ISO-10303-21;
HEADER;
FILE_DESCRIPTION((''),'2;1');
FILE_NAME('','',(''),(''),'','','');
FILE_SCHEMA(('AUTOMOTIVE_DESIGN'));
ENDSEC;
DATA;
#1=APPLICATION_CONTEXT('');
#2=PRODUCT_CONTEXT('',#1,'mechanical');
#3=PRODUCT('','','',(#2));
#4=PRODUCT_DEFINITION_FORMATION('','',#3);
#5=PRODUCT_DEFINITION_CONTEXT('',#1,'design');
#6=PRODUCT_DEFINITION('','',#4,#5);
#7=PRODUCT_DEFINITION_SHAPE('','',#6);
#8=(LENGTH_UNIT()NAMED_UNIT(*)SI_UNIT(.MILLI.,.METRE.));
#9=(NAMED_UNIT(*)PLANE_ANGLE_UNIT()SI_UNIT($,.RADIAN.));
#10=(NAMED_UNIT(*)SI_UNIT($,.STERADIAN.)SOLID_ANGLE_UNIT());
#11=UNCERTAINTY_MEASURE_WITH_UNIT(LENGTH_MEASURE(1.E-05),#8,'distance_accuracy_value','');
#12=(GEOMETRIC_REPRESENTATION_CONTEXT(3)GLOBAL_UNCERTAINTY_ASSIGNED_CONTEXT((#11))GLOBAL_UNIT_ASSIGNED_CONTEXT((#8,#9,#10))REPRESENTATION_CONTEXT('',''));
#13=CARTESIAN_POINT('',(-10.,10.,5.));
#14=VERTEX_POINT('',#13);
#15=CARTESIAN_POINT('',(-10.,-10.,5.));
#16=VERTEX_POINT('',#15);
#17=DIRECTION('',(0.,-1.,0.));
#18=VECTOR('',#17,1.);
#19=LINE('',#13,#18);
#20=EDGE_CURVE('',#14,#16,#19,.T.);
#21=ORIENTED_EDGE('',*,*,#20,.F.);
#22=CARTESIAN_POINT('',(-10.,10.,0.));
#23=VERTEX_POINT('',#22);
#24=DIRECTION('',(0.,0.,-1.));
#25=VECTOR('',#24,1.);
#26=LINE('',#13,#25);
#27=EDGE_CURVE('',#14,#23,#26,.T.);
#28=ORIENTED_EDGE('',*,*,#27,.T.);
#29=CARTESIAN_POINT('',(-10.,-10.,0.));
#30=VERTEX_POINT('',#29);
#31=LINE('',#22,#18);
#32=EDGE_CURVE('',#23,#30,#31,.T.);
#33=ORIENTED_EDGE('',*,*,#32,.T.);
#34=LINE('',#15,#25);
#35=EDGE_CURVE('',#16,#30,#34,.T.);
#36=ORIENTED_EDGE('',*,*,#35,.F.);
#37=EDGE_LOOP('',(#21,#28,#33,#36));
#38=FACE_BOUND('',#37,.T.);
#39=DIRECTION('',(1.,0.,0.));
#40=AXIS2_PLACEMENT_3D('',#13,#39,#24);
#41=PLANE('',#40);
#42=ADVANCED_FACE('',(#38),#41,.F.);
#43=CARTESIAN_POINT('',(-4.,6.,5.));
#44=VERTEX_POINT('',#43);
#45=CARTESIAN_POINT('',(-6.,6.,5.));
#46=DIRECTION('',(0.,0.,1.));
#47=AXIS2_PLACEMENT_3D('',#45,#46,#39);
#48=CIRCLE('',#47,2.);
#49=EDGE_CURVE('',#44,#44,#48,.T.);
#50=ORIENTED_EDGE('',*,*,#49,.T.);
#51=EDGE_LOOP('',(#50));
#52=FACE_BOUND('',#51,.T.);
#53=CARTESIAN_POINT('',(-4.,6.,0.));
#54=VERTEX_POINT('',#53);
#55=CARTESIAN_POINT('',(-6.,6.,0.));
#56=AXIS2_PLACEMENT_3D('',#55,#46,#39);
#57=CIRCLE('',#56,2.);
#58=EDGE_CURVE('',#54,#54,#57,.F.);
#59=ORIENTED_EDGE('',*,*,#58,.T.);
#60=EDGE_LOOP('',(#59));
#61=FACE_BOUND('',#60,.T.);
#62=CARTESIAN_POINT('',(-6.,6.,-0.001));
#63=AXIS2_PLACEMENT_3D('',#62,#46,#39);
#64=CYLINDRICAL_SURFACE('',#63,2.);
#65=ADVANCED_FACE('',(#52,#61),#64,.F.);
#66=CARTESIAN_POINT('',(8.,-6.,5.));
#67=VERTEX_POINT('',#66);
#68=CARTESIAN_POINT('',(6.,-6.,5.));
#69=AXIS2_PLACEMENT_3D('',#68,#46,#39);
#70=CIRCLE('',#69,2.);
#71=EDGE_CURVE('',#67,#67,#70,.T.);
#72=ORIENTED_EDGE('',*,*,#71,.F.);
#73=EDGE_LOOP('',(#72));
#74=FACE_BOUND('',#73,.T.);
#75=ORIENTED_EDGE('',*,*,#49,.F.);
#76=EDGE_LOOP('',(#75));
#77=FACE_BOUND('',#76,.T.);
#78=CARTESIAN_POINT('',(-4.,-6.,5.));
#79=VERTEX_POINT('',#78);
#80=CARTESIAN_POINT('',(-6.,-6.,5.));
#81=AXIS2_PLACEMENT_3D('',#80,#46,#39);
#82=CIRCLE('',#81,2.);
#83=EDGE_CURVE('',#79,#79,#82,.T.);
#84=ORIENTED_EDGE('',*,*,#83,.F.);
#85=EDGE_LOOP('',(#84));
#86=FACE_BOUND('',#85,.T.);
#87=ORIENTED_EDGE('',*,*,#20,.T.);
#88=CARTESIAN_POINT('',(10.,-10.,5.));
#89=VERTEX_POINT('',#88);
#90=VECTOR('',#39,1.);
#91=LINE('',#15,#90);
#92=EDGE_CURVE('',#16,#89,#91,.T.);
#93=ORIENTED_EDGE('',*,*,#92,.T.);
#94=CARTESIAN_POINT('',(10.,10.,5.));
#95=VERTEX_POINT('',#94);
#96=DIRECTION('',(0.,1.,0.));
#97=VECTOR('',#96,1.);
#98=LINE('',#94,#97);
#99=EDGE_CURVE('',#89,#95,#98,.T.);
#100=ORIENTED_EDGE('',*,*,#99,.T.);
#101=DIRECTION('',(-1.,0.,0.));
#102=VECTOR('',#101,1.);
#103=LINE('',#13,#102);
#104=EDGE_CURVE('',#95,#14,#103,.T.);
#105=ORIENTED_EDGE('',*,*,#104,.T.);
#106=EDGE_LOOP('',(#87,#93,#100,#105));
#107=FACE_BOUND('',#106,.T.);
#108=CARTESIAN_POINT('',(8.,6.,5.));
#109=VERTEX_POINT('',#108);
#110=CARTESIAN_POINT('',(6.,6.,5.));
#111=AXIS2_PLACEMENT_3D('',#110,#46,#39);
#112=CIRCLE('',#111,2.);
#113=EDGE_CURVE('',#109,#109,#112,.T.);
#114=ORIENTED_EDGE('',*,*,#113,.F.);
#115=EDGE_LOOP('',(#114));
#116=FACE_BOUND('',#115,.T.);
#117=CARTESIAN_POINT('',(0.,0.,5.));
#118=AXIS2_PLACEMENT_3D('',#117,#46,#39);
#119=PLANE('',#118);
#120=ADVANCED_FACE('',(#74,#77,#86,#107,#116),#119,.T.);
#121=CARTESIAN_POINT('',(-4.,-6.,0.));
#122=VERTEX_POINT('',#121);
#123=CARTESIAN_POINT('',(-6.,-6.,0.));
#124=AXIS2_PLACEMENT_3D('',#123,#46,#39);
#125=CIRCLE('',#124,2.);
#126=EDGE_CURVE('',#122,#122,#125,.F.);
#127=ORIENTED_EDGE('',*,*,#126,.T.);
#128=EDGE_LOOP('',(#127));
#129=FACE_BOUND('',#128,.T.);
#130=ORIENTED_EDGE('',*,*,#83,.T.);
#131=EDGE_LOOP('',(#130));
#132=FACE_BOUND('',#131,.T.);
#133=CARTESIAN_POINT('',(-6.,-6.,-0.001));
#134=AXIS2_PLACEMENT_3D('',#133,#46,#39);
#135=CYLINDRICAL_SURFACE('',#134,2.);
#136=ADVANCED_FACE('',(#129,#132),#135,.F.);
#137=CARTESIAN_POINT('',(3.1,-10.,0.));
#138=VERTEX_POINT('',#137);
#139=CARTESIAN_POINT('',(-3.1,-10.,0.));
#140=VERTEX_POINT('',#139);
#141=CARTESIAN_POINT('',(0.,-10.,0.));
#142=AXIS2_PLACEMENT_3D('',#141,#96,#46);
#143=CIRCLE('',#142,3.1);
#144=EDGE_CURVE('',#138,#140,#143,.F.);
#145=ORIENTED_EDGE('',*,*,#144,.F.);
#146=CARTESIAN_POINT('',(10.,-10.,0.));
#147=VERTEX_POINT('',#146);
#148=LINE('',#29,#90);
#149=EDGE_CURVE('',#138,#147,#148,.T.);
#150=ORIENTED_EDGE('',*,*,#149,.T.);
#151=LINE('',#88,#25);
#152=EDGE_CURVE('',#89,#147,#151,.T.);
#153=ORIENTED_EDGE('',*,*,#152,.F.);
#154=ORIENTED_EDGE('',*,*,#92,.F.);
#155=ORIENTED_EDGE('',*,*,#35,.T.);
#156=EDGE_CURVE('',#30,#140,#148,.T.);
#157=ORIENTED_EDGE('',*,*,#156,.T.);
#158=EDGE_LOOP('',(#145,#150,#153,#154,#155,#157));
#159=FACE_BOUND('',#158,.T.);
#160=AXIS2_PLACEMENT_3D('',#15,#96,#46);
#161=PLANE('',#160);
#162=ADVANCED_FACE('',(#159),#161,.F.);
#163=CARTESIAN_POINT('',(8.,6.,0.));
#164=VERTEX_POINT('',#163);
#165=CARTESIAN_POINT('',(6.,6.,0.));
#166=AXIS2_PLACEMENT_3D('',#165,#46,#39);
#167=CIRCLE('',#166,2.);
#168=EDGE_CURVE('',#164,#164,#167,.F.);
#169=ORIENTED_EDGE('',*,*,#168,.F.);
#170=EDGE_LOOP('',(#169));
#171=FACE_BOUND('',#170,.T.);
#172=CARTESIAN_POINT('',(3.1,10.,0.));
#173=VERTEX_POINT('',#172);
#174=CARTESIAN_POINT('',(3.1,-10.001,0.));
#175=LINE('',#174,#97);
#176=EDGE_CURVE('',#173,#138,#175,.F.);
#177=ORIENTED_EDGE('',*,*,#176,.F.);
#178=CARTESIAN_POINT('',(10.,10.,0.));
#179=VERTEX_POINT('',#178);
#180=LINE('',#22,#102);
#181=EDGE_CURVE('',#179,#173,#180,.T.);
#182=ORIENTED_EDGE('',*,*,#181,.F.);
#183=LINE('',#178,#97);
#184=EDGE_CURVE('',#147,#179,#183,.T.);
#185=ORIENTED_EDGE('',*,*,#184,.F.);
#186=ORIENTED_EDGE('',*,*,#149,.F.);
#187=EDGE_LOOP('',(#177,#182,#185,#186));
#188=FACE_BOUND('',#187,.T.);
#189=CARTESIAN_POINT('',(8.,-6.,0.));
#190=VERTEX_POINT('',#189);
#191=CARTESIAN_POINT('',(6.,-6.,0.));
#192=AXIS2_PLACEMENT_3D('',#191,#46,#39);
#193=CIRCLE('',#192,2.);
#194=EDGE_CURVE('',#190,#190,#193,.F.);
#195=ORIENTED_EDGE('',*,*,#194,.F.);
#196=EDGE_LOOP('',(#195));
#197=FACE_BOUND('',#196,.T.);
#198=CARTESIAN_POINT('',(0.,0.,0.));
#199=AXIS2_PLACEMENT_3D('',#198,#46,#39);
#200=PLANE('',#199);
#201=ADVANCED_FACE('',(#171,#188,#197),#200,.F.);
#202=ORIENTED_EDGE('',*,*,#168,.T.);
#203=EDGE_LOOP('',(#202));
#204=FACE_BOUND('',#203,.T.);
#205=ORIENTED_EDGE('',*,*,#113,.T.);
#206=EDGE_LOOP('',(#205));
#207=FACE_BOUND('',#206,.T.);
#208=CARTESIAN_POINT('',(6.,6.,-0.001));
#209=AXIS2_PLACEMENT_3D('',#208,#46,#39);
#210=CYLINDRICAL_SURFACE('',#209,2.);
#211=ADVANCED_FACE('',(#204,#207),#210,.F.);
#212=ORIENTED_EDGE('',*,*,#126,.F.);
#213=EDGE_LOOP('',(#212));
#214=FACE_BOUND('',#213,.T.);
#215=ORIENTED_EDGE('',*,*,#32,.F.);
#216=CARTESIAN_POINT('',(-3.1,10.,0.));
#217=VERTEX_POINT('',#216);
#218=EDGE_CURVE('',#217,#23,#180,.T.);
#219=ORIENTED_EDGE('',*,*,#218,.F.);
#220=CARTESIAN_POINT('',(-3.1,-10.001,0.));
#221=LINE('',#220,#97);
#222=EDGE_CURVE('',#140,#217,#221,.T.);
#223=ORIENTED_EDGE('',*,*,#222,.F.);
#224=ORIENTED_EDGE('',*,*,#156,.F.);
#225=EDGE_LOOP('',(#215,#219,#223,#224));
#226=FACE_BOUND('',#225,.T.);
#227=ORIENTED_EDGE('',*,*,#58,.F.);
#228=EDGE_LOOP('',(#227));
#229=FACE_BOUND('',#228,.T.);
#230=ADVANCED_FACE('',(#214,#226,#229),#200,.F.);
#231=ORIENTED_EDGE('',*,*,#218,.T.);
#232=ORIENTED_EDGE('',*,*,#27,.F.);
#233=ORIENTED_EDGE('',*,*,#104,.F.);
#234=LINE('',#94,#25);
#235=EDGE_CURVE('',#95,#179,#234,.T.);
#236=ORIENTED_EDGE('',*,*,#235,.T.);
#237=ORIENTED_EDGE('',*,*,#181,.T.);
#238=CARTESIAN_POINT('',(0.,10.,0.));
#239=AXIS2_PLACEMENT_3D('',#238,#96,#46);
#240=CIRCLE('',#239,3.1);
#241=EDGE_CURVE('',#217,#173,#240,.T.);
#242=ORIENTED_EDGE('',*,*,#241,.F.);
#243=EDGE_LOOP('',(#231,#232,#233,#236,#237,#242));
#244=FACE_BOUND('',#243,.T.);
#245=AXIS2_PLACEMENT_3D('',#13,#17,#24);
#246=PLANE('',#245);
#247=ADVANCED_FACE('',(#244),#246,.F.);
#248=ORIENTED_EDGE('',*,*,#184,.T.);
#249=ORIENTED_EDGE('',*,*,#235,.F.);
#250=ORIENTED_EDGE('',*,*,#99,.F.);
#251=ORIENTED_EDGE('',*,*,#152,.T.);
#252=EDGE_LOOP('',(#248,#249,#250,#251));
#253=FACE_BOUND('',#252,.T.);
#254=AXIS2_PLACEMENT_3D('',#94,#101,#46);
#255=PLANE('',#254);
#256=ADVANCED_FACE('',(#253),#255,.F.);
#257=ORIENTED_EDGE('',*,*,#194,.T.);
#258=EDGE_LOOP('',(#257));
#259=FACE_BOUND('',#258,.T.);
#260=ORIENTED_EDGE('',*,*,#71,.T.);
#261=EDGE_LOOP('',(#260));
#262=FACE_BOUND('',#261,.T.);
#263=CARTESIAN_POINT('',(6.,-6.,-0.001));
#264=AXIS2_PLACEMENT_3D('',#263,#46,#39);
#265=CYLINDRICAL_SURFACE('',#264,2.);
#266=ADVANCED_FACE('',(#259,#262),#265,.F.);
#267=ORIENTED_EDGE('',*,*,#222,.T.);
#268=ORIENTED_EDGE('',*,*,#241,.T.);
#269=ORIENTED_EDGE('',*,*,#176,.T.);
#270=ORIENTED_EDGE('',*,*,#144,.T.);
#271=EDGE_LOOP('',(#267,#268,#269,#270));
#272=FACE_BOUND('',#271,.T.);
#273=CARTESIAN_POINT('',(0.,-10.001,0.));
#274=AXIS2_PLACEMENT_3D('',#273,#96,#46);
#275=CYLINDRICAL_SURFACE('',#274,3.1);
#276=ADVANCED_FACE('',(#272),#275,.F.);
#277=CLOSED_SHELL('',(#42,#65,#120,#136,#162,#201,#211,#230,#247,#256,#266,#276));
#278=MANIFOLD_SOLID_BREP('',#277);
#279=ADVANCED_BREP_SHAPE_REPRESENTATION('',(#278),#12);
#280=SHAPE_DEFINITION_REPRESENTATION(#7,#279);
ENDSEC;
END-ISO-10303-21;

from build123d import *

# Parameters (mm, degrees)
SKETCH1_W           = 20
SKETCH1_H           = 20
BOSS_EXTRUDE1_DEPTH = 5
CUT_EXTRUDE1_REACH  = 24.913
SKETCH2_R           = 3.1
CUT_EXTRUDE2_REACH  = 17
SKETCH3_R           = 2


with BuildPart() as part:
    # Sketch1 → Boss-Extrude1 (new body)
    with BuildSketch(Plane.XY):
        Rectangle(SKETCH1_W, SKETCH1_H)
    extrude(amount=BOSS_EXTRUDE1_DEPTH)

    # Sketch2 → Cut-Extrude1 (cut, up to next)
    with BuildSketch(Plane(origin=(0, 10, 0), x_dir=(1, 0, 0), z_dir=(0, 1, 0)), mode=Mode.PRIVATE) as cut_extrude1_sk1:
        Circle(SKETCH2_R)
    cut_extrude1_tool1 = extrude(cut_extrude1_sk1.sketch, amount=-CUT_EXTRUDE1_REACH, mode=Mode.PRIVATE) & part.part
    add(cut_extrude1_tool1.solids().sort_by_distance((0, 10, 0))[0], mode=Mode.SUBTRACT)

    # Sketch3 → Cut-Extrude2 (cut, up to next)
    with BuildSketch(Plane.XY.offset(5), mode=Mode.PRIVATE) as cut_extrude2_sk1:
        with Locations((-6, 6)):
            Circle(SKETCH3_R)
    cut_extrude2_tool1 = extrude(cut_extrude2_sk1.sketch, amount=-CUT_EXTRUDE2_REACH, mode=Mode.PRIVATE) & part.part
    # Sketch3 → Cut-Extrude2 (cut, up to next)
    with BuildSketch(Plane.XY.offset(5), mode=Mode.PRIVATE) as cut_extrude2_sk2:
        with Locations((-6, -6)):
            Circle(SKETCH3_R)
    cut_extrude2_tool2 = extrude(cut_extrude2_sk2.sketch, amount=-CUT_EXTRUDE2_REACH, mode=Mode.PRIVATE) & part.part
    # Sketch3 → Cut-Extrude2 (cut, up to next)
    with BuildSketch(Plane.XY.offset(5), mode=Mode.PRIVATE) as cut_extrude2_sk3:
        with Locations((6, -6)):
            Circle(SKETCH3_R)
    cut_extrude2_tool3 = extrude(cut_extrude2_sk3.sketch, amount=-CUT_EXTRUDE2_REACH, mode=Mode.PRIVATE) & part.part
    # Sketch3 → Cut-Extrude2 (cut, up to next)
    with BuildSketch(Plane.XY.offset(5), mode=Mode.PRIVATE) as cut_extrude2_sk4:
        with Locations((6, 6)):
            Circle(SKETCH3_R)
    cut_extrude2_tool4 = extrude(cut_extrude2_sk4.sketch, amount=-CUT_EXTRUDE2_REACH, mode=Mode.PRIVATE) & part.part
    add(cut_extrude2_tool1.solids().sort_by_distance((-6, 6, 5))[0], mode=Mode.SUBTRACT)
    add(cut_extrude2_tool2.solids().sort_by_distance((-6, -6, 5))[0], mode=Mode.SUBTRACT)
    add(cut_extrude2_tool3.solids().sort_by_distance((6, -6, 5))[0], mode=Mode.SUBTRACT)
    add(cut_extrude2_tool4.solids().sort_by_distance((6, 6, 5))[0], mode=Mode.SUBTRACT)


solid = part.part
